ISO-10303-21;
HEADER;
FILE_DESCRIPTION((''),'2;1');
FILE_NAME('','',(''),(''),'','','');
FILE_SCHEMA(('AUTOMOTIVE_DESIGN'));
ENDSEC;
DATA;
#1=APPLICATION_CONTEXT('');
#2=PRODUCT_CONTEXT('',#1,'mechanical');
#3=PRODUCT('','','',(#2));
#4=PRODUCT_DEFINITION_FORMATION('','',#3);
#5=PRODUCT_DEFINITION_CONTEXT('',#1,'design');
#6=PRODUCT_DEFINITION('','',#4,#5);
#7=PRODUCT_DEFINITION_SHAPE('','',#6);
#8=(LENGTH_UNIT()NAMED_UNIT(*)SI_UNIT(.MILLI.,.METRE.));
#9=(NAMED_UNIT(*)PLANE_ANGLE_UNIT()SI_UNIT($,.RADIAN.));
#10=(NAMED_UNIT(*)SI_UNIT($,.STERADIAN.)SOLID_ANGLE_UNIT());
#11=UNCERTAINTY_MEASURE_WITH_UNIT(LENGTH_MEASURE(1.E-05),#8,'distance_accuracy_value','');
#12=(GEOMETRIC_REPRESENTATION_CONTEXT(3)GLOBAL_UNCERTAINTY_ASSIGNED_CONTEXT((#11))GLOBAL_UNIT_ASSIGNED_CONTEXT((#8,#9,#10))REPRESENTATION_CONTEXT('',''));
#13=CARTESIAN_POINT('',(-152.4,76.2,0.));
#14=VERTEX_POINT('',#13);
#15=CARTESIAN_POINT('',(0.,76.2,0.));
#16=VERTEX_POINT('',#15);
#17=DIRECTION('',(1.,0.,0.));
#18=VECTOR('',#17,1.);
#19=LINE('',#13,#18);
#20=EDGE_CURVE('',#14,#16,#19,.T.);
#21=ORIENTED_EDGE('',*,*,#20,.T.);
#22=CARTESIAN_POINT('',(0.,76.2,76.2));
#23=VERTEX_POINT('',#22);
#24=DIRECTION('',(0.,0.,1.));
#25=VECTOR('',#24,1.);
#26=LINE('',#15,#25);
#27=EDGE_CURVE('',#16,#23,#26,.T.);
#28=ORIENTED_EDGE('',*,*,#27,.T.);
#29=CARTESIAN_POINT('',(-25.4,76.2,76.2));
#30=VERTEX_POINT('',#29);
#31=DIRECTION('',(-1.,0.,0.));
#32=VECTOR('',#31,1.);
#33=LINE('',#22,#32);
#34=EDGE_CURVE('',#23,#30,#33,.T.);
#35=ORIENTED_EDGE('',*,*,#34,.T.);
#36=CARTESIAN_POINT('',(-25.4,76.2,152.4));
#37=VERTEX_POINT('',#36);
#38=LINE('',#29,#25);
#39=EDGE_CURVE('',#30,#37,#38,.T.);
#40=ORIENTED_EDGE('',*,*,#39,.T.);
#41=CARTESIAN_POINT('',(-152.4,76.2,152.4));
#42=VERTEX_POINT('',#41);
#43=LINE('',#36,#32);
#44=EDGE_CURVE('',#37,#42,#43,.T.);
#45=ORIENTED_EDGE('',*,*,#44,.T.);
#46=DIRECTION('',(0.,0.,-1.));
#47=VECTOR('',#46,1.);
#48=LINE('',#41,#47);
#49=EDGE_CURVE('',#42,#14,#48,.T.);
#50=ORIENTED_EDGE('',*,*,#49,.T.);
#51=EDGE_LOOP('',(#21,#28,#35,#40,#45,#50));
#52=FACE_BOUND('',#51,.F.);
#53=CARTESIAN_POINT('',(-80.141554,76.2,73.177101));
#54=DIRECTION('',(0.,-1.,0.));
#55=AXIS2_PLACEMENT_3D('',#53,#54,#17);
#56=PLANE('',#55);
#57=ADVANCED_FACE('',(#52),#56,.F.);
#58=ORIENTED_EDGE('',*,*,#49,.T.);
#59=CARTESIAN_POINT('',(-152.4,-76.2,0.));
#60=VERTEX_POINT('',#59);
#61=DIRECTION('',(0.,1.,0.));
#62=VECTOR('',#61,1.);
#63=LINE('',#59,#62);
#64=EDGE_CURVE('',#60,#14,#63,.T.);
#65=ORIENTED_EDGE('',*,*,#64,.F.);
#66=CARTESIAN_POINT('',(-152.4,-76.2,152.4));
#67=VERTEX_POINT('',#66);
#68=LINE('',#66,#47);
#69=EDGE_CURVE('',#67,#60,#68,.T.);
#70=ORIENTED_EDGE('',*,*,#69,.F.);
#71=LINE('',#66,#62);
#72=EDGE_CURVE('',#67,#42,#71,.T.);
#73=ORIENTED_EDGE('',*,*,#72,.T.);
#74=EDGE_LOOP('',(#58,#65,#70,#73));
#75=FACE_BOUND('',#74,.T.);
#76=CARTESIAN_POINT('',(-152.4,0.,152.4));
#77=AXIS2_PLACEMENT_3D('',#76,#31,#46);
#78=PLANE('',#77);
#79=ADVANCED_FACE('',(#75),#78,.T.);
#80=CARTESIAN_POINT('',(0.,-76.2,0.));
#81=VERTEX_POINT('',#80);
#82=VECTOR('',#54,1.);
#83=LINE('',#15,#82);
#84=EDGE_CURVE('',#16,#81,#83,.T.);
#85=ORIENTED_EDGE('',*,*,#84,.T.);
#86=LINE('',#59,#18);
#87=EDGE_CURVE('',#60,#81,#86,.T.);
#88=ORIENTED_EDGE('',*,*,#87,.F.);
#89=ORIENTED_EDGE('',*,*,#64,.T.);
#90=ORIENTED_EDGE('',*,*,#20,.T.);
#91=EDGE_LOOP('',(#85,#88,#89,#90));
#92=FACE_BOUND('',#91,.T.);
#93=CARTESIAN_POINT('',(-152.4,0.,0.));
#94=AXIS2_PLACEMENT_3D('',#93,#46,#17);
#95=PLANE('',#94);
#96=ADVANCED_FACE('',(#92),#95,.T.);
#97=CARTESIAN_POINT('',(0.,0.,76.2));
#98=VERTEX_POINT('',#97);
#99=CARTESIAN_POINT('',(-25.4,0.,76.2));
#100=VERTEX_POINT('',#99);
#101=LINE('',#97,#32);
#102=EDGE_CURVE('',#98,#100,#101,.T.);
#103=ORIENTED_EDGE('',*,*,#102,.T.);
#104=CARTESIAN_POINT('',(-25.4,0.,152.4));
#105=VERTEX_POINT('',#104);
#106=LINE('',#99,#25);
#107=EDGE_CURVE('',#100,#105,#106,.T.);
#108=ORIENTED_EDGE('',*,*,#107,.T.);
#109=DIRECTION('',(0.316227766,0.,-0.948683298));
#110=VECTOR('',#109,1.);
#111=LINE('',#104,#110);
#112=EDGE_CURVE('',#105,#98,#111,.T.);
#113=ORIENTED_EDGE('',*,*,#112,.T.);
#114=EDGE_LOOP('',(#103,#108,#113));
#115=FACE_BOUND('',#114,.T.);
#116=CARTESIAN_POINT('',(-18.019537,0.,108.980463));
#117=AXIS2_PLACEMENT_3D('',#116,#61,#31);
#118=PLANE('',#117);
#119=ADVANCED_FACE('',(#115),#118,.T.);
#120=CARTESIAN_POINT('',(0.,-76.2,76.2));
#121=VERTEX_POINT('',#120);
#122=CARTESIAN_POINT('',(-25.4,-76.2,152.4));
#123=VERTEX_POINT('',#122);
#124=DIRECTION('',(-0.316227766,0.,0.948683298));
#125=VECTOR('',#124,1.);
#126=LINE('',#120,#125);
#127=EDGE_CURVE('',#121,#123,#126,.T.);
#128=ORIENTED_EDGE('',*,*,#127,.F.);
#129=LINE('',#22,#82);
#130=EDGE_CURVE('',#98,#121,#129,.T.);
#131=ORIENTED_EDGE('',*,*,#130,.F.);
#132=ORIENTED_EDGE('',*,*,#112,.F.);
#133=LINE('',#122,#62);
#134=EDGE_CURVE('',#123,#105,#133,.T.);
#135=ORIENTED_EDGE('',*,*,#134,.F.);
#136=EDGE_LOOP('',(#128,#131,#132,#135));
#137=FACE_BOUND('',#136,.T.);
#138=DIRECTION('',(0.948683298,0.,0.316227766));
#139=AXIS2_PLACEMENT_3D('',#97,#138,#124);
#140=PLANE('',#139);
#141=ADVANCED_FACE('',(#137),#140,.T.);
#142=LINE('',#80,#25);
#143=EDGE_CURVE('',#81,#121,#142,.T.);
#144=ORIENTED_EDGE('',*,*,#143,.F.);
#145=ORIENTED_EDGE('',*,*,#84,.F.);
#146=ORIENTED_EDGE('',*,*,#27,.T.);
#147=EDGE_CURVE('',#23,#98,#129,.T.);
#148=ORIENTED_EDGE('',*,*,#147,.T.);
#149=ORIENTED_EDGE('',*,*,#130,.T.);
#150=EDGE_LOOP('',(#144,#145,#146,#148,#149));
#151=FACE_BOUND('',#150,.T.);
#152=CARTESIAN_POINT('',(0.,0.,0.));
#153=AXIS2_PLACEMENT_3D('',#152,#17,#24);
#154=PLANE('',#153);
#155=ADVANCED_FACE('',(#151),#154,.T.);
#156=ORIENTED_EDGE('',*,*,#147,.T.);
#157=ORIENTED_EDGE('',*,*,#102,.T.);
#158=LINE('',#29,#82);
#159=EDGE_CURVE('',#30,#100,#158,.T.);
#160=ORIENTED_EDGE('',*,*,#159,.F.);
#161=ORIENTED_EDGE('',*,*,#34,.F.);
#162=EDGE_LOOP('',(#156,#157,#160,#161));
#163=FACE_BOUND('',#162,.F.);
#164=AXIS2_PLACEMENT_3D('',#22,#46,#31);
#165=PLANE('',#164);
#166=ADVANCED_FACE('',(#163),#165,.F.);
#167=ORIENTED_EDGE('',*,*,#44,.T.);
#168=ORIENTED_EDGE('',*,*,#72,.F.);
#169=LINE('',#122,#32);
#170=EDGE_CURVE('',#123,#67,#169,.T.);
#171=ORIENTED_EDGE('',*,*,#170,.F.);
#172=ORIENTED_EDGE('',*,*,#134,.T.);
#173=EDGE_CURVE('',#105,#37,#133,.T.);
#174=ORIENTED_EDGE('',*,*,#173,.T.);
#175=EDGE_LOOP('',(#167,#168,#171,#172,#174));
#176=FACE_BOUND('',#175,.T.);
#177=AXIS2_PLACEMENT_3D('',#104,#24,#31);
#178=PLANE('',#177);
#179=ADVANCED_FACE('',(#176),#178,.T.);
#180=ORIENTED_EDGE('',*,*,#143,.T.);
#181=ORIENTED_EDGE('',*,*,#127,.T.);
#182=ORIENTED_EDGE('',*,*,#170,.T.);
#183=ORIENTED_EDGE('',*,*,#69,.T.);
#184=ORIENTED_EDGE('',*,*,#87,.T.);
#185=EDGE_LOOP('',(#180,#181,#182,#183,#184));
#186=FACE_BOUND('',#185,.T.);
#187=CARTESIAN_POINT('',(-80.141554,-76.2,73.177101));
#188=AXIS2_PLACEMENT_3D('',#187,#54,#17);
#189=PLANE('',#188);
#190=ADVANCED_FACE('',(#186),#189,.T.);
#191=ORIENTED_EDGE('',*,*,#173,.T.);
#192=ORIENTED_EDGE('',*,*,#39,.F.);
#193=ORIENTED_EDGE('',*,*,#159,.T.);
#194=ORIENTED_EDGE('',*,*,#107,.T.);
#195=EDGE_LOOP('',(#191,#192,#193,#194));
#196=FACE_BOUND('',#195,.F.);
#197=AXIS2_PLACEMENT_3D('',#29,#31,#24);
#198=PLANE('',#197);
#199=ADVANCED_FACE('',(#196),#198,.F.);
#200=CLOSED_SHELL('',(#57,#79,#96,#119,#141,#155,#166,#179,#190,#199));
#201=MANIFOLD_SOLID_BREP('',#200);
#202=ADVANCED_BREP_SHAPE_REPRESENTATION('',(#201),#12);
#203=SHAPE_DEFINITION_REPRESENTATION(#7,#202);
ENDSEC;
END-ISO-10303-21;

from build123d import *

# Parameters (mm, degrees)
F1_DEPTH = 76.2
F3_DEPTH = 76.2


with BuildPart() as f1:
    # F0 (on Front) → F1 (new body, symmetric)
    with BuildSketch(Plane.XZ):
        Polygon((-152.4, 0), (0, 0), (0, 76.2), (-25.4, 152.4), (-152.4, 152.4), align=None)
    extrude(amount=F1_DEPTH, both=True)

    # F2 (on face) → F3 (cut)
    with BuildSketch(Plane(origin=(0, 76.2, 0), x_dir=(-1, 0, 0), z_dir=(0, 1, 0))):
        Polygon((25.4, 152.4), (0, 76.2), (25.4, 76.2), align=None)
    extrude(amount=-F3_DEPTH, mode=Mode.SUBTRACT)


solid = f1.part
